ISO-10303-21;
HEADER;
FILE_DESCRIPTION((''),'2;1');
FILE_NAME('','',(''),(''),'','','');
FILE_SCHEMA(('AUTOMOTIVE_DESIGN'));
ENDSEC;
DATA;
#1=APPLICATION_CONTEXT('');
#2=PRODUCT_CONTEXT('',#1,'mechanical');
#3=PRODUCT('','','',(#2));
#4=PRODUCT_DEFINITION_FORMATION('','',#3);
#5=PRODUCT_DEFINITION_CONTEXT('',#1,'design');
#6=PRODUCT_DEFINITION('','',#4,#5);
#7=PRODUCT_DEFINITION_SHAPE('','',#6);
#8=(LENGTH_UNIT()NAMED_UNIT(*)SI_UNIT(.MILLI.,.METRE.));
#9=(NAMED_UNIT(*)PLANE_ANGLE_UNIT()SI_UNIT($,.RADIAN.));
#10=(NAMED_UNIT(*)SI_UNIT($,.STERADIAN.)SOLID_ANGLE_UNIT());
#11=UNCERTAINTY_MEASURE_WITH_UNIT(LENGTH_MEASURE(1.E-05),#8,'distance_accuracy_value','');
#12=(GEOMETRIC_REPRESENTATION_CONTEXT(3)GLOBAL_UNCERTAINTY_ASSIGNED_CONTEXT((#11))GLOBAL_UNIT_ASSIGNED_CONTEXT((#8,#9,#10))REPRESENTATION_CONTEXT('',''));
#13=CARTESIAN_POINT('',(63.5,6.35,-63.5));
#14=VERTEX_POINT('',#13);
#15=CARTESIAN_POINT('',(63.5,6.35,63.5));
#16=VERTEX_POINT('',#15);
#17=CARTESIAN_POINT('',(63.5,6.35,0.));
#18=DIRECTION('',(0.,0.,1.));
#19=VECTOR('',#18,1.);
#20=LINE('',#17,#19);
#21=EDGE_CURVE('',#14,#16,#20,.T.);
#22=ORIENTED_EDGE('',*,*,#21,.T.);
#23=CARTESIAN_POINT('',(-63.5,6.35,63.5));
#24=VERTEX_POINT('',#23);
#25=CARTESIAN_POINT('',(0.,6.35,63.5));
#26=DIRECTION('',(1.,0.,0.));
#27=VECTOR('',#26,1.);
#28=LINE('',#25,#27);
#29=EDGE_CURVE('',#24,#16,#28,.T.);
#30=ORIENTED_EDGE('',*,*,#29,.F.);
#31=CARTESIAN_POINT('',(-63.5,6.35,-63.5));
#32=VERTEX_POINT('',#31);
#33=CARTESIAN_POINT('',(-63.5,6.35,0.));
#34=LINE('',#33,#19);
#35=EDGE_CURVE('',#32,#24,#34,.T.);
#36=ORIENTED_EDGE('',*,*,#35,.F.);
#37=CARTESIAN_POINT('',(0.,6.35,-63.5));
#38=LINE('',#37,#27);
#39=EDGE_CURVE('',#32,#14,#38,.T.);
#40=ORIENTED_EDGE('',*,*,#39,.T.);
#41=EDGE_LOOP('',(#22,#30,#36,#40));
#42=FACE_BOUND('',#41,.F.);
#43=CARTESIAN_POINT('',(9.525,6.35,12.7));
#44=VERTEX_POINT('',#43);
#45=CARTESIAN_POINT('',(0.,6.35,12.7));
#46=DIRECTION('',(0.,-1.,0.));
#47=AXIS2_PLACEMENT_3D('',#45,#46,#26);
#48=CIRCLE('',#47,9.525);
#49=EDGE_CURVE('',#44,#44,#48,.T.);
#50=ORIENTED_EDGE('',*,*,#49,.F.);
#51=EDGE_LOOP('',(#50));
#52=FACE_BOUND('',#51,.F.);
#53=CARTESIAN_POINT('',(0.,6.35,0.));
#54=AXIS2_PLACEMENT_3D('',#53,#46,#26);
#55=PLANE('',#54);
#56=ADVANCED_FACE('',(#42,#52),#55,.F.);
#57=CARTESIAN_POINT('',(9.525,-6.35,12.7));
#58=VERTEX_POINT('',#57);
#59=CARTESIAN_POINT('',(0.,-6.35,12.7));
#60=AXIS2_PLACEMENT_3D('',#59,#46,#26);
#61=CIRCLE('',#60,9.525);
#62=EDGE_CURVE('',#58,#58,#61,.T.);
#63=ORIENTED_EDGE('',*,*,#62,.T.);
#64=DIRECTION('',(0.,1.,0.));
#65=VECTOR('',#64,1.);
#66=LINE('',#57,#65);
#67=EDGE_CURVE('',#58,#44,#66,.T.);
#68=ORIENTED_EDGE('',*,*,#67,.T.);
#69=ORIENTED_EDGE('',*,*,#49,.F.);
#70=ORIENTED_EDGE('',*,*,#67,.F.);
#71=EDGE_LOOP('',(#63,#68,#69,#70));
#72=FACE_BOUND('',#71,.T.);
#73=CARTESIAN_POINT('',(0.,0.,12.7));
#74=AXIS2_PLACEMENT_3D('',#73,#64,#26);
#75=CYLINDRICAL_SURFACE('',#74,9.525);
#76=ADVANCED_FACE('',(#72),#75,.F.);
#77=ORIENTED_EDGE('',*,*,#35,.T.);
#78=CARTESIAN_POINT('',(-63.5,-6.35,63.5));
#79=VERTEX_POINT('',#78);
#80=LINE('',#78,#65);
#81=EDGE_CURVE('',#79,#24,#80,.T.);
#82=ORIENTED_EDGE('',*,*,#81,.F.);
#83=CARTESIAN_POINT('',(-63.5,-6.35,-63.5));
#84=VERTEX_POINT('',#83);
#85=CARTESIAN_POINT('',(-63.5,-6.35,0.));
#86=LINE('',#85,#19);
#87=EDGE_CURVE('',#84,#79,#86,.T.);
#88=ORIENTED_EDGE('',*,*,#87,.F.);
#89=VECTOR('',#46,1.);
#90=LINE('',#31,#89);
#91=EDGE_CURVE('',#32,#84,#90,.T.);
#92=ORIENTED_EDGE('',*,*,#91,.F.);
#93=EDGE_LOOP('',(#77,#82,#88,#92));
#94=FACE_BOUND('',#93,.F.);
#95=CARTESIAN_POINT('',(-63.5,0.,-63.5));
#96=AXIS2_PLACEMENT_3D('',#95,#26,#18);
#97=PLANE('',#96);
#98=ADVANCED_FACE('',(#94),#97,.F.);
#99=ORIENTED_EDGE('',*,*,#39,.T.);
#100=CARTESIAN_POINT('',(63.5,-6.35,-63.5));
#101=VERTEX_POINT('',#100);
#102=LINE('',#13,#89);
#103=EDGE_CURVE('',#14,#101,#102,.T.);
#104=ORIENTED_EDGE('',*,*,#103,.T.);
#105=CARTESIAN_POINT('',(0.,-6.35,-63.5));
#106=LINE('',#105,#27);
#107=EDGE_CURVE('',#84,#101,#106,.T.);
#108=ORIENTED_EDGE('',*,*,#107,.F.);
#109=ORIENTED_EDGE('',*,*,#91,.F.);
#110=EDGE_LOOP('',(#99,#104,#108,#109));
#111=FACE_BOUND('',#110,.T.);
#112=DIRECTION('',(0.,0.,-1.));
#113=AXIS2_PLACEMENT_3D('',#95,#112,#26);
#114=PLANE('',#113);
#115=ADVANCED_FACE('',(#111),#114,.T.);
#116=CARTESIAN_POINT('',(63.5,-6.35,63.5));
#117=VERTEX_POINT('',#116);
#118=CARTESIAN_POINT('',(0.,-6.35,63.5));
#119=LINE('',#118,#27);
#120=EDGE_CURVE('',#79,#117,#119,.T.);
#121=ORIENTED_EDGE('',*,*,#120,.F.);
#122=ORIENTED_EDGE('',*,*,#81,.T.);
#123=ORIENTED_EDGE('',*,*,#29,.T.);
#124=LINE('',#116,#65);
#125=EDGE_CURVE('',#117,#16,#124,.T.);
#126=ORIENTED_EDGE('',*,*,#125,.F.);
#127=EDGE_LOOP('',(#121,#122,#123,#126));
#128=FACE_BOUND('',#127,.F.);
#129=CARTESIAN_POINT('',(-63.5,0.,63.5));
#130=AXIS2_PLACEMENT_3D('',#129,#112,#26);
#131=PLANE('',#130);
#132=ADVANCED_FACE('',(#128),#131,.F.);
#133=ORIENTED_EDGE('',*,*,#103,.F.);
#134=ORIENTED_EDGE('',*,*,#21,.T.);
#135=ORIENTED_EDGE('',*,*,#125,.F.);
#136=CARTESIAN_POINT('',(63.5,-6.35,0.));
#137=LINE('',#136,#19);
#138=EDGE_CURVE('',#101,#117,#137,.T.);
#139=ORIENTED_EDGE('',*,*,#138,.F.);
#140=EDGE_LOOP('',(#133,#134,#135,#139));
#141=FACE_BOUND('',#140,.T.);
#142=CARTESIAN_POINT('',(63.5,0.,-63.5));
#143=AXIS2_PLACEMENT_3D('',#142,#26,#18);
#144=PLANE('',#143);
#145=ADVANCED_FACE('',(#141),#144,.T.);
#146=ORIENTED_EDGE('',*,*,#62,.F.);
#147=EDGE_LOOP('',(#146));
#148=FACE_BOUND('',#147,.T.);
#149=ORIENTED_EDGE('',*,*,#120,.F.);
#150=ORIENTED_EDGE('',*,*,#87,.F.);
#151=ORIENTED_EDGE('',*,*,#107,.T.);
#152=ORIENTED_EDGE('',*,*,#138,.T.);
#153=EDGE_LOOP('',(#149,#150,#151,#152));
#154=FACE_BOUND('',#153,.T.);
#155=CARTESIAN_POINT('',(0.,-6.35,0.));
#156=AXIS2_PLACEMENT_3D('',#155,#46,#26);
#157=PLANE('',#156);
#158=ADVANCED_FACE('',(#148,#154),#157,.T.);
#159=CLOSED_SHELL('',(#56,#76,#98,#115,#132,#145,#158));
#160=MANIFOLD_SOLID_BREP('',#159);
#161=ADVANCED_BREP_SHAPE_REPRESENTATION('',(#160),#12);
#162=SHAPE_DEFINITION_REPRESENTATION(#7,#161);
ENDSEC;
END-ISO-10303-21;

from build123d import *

# Parameters (mm, degrees)
F0_W     = 127
F0_H     = 127
F0_R     = 9.525
F1_DEPTH = 6.35


with BuildPart() as f1:
    # F0 (on Front) → F1 (new body, symmetric)
    with BuildSketch(Plane.XZ):
        Rectangle(F0_W, F0_H)
        with Locations((0, 12.7)):
            Circle(F0_R, mode=Mode.SUBTRACT)
    extrude(amount=F1_DEPTH, both=True)


solid = f1.part
